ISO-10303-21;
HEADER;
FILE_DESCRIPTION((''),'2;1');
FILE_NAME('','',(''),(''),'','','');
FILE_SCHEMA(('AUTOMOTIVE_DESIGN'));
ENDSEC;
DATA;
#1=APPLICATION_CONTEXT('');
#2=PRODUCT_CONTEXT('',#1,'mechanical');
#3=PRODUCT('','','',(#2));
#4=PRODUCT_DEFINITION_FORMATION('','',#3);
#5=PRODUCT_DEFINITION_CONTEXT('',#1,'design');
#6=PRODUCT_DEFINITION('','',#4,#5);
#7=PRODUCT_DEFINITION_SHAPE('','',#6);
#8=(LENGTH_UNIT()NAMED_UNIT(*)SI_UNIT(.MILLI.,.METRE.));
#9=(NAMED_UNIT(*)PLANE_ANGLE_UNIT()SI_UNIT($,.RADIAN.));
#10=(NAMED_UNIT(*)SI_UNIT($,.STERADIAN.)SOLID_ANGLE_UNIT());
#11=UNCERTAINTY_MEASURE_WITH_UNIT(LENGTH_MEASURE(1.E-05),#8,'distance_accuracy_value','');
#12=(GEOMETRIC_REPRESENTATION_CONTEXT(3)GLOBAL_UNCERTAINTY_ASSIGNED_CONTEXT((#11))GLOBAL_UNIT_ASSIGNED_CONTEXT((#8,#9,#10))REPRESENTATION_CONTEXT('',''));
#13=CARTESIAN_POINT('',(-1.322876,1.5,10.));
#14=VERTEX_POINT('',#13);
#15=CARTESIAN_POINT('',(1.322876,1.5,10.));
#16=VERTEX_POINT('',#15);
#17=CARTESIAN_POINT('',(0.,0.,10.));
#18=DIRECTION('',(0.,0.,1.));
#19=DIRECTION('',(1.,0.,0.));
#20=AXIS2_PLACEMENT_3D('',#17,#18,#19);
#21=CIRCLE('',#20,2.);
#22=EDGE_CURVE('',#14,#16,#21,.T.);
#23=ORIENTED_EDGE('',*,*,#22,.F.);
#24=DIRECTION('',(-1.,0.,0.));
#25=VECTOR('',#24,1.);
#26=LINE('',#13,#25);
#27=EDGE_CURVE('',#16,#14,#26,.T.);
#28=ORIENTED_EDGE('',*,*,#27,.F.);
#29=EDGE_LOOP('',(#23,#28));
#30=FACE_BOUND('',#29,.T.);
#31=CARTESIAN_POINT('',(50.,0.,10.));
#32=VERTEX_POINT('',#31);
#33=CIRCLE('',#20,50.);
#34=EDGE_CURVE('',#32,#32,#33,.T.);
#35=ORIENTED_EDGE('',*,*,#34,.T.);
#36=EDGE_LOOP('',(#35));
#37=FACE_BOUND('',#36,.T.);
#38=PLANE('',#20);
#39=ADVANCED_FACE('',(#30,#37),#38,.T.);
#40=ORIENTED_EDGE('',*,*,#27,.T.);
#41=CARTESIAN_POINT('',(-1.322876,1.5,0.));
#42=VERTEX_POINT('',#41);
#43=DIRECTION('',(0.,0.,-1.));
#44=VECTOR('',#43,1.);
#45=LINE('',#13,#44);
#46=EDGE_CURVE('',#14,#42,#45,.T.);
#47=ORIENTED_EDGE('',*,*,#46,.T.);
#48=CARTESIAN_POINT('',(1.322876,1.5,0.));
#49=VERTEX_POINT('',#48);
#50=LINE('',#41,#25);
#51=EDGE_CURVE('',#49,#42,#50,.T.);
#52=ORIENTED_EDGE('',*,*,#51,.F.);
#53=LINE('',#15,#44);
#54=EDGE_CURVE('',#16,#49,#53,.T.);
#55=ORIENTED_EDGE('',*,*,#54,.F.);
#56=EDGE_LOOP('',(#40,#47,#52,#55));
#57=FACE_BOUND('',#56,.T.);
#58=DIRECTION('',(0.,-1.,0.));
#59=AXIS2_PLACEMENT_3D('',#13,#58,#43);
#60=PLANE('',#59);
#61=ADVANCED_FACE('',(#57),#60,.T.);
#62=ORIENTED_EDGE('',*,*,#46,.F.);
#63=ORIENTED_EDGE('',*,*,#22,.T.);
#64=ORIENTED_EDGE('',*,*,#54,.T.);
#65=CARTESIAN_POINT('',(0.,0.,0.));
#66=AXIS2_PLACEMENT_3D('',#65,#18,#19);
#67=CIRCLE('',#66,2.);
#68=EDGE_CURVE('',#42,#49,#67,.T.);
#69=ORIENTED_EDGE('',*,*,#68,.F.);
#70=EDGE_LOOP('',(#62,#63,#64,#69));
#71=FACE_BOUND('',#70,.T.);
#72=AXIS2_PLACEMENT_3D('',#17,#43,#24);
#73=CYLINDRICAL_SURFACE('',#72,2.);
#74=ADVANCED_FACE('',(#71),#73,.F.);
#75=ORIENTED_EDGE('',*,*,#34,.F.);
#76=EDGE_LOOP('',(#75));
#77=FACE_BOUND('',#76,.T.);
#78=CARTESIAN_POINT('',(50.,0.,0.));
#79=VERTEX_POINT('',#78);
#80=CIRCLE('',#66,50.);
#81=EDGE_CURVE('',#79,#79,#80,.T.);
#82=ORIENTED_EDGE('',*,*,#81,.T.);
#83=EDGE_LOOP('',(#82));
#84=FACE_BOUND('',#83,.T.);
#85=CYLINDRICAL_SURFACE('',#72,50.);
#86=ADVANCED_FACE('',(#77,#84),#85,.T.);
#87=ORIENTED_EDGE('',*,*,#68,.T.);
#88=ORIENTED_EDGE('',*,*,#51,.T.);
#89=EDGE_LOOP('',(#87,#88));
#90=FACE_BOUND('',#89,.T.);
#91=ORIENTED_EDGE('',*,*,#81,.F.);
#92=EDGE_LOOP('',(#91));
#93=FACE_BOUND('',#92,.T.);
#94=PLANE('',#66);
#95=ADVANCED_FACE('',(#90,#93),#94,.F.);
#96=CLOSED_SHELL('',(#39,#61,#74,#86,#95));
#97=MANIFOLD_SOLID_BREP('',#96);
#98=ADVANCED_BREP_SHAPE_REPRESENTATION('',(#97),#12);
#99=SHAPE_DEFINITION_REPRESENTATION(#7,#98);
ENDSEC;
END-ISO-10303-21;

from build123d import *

# Parameters (mm, degrees)
SKETCH1_R           = 50
BOSS_EXTRUDE1_DEPTH = 10


with BuildPart() as part:
    # Sketch1 → Boss-Extrude1 (new body)
    with BuildSketch(Plane.XY):
        Circle(SKETCH1_R)
        with BuildLine():
            Line((-1.322875656, 1.5), (1.322875656, 1.5))
            ThreePointArc((1.322875656, 1.5), (0, -2), (-1.322875656, 1.5))
        make_face(mode=Mode.SUBTRACT)
    extrude(amount=BOSS_EXTRUDE1_DEPTH)


solid = part.part
